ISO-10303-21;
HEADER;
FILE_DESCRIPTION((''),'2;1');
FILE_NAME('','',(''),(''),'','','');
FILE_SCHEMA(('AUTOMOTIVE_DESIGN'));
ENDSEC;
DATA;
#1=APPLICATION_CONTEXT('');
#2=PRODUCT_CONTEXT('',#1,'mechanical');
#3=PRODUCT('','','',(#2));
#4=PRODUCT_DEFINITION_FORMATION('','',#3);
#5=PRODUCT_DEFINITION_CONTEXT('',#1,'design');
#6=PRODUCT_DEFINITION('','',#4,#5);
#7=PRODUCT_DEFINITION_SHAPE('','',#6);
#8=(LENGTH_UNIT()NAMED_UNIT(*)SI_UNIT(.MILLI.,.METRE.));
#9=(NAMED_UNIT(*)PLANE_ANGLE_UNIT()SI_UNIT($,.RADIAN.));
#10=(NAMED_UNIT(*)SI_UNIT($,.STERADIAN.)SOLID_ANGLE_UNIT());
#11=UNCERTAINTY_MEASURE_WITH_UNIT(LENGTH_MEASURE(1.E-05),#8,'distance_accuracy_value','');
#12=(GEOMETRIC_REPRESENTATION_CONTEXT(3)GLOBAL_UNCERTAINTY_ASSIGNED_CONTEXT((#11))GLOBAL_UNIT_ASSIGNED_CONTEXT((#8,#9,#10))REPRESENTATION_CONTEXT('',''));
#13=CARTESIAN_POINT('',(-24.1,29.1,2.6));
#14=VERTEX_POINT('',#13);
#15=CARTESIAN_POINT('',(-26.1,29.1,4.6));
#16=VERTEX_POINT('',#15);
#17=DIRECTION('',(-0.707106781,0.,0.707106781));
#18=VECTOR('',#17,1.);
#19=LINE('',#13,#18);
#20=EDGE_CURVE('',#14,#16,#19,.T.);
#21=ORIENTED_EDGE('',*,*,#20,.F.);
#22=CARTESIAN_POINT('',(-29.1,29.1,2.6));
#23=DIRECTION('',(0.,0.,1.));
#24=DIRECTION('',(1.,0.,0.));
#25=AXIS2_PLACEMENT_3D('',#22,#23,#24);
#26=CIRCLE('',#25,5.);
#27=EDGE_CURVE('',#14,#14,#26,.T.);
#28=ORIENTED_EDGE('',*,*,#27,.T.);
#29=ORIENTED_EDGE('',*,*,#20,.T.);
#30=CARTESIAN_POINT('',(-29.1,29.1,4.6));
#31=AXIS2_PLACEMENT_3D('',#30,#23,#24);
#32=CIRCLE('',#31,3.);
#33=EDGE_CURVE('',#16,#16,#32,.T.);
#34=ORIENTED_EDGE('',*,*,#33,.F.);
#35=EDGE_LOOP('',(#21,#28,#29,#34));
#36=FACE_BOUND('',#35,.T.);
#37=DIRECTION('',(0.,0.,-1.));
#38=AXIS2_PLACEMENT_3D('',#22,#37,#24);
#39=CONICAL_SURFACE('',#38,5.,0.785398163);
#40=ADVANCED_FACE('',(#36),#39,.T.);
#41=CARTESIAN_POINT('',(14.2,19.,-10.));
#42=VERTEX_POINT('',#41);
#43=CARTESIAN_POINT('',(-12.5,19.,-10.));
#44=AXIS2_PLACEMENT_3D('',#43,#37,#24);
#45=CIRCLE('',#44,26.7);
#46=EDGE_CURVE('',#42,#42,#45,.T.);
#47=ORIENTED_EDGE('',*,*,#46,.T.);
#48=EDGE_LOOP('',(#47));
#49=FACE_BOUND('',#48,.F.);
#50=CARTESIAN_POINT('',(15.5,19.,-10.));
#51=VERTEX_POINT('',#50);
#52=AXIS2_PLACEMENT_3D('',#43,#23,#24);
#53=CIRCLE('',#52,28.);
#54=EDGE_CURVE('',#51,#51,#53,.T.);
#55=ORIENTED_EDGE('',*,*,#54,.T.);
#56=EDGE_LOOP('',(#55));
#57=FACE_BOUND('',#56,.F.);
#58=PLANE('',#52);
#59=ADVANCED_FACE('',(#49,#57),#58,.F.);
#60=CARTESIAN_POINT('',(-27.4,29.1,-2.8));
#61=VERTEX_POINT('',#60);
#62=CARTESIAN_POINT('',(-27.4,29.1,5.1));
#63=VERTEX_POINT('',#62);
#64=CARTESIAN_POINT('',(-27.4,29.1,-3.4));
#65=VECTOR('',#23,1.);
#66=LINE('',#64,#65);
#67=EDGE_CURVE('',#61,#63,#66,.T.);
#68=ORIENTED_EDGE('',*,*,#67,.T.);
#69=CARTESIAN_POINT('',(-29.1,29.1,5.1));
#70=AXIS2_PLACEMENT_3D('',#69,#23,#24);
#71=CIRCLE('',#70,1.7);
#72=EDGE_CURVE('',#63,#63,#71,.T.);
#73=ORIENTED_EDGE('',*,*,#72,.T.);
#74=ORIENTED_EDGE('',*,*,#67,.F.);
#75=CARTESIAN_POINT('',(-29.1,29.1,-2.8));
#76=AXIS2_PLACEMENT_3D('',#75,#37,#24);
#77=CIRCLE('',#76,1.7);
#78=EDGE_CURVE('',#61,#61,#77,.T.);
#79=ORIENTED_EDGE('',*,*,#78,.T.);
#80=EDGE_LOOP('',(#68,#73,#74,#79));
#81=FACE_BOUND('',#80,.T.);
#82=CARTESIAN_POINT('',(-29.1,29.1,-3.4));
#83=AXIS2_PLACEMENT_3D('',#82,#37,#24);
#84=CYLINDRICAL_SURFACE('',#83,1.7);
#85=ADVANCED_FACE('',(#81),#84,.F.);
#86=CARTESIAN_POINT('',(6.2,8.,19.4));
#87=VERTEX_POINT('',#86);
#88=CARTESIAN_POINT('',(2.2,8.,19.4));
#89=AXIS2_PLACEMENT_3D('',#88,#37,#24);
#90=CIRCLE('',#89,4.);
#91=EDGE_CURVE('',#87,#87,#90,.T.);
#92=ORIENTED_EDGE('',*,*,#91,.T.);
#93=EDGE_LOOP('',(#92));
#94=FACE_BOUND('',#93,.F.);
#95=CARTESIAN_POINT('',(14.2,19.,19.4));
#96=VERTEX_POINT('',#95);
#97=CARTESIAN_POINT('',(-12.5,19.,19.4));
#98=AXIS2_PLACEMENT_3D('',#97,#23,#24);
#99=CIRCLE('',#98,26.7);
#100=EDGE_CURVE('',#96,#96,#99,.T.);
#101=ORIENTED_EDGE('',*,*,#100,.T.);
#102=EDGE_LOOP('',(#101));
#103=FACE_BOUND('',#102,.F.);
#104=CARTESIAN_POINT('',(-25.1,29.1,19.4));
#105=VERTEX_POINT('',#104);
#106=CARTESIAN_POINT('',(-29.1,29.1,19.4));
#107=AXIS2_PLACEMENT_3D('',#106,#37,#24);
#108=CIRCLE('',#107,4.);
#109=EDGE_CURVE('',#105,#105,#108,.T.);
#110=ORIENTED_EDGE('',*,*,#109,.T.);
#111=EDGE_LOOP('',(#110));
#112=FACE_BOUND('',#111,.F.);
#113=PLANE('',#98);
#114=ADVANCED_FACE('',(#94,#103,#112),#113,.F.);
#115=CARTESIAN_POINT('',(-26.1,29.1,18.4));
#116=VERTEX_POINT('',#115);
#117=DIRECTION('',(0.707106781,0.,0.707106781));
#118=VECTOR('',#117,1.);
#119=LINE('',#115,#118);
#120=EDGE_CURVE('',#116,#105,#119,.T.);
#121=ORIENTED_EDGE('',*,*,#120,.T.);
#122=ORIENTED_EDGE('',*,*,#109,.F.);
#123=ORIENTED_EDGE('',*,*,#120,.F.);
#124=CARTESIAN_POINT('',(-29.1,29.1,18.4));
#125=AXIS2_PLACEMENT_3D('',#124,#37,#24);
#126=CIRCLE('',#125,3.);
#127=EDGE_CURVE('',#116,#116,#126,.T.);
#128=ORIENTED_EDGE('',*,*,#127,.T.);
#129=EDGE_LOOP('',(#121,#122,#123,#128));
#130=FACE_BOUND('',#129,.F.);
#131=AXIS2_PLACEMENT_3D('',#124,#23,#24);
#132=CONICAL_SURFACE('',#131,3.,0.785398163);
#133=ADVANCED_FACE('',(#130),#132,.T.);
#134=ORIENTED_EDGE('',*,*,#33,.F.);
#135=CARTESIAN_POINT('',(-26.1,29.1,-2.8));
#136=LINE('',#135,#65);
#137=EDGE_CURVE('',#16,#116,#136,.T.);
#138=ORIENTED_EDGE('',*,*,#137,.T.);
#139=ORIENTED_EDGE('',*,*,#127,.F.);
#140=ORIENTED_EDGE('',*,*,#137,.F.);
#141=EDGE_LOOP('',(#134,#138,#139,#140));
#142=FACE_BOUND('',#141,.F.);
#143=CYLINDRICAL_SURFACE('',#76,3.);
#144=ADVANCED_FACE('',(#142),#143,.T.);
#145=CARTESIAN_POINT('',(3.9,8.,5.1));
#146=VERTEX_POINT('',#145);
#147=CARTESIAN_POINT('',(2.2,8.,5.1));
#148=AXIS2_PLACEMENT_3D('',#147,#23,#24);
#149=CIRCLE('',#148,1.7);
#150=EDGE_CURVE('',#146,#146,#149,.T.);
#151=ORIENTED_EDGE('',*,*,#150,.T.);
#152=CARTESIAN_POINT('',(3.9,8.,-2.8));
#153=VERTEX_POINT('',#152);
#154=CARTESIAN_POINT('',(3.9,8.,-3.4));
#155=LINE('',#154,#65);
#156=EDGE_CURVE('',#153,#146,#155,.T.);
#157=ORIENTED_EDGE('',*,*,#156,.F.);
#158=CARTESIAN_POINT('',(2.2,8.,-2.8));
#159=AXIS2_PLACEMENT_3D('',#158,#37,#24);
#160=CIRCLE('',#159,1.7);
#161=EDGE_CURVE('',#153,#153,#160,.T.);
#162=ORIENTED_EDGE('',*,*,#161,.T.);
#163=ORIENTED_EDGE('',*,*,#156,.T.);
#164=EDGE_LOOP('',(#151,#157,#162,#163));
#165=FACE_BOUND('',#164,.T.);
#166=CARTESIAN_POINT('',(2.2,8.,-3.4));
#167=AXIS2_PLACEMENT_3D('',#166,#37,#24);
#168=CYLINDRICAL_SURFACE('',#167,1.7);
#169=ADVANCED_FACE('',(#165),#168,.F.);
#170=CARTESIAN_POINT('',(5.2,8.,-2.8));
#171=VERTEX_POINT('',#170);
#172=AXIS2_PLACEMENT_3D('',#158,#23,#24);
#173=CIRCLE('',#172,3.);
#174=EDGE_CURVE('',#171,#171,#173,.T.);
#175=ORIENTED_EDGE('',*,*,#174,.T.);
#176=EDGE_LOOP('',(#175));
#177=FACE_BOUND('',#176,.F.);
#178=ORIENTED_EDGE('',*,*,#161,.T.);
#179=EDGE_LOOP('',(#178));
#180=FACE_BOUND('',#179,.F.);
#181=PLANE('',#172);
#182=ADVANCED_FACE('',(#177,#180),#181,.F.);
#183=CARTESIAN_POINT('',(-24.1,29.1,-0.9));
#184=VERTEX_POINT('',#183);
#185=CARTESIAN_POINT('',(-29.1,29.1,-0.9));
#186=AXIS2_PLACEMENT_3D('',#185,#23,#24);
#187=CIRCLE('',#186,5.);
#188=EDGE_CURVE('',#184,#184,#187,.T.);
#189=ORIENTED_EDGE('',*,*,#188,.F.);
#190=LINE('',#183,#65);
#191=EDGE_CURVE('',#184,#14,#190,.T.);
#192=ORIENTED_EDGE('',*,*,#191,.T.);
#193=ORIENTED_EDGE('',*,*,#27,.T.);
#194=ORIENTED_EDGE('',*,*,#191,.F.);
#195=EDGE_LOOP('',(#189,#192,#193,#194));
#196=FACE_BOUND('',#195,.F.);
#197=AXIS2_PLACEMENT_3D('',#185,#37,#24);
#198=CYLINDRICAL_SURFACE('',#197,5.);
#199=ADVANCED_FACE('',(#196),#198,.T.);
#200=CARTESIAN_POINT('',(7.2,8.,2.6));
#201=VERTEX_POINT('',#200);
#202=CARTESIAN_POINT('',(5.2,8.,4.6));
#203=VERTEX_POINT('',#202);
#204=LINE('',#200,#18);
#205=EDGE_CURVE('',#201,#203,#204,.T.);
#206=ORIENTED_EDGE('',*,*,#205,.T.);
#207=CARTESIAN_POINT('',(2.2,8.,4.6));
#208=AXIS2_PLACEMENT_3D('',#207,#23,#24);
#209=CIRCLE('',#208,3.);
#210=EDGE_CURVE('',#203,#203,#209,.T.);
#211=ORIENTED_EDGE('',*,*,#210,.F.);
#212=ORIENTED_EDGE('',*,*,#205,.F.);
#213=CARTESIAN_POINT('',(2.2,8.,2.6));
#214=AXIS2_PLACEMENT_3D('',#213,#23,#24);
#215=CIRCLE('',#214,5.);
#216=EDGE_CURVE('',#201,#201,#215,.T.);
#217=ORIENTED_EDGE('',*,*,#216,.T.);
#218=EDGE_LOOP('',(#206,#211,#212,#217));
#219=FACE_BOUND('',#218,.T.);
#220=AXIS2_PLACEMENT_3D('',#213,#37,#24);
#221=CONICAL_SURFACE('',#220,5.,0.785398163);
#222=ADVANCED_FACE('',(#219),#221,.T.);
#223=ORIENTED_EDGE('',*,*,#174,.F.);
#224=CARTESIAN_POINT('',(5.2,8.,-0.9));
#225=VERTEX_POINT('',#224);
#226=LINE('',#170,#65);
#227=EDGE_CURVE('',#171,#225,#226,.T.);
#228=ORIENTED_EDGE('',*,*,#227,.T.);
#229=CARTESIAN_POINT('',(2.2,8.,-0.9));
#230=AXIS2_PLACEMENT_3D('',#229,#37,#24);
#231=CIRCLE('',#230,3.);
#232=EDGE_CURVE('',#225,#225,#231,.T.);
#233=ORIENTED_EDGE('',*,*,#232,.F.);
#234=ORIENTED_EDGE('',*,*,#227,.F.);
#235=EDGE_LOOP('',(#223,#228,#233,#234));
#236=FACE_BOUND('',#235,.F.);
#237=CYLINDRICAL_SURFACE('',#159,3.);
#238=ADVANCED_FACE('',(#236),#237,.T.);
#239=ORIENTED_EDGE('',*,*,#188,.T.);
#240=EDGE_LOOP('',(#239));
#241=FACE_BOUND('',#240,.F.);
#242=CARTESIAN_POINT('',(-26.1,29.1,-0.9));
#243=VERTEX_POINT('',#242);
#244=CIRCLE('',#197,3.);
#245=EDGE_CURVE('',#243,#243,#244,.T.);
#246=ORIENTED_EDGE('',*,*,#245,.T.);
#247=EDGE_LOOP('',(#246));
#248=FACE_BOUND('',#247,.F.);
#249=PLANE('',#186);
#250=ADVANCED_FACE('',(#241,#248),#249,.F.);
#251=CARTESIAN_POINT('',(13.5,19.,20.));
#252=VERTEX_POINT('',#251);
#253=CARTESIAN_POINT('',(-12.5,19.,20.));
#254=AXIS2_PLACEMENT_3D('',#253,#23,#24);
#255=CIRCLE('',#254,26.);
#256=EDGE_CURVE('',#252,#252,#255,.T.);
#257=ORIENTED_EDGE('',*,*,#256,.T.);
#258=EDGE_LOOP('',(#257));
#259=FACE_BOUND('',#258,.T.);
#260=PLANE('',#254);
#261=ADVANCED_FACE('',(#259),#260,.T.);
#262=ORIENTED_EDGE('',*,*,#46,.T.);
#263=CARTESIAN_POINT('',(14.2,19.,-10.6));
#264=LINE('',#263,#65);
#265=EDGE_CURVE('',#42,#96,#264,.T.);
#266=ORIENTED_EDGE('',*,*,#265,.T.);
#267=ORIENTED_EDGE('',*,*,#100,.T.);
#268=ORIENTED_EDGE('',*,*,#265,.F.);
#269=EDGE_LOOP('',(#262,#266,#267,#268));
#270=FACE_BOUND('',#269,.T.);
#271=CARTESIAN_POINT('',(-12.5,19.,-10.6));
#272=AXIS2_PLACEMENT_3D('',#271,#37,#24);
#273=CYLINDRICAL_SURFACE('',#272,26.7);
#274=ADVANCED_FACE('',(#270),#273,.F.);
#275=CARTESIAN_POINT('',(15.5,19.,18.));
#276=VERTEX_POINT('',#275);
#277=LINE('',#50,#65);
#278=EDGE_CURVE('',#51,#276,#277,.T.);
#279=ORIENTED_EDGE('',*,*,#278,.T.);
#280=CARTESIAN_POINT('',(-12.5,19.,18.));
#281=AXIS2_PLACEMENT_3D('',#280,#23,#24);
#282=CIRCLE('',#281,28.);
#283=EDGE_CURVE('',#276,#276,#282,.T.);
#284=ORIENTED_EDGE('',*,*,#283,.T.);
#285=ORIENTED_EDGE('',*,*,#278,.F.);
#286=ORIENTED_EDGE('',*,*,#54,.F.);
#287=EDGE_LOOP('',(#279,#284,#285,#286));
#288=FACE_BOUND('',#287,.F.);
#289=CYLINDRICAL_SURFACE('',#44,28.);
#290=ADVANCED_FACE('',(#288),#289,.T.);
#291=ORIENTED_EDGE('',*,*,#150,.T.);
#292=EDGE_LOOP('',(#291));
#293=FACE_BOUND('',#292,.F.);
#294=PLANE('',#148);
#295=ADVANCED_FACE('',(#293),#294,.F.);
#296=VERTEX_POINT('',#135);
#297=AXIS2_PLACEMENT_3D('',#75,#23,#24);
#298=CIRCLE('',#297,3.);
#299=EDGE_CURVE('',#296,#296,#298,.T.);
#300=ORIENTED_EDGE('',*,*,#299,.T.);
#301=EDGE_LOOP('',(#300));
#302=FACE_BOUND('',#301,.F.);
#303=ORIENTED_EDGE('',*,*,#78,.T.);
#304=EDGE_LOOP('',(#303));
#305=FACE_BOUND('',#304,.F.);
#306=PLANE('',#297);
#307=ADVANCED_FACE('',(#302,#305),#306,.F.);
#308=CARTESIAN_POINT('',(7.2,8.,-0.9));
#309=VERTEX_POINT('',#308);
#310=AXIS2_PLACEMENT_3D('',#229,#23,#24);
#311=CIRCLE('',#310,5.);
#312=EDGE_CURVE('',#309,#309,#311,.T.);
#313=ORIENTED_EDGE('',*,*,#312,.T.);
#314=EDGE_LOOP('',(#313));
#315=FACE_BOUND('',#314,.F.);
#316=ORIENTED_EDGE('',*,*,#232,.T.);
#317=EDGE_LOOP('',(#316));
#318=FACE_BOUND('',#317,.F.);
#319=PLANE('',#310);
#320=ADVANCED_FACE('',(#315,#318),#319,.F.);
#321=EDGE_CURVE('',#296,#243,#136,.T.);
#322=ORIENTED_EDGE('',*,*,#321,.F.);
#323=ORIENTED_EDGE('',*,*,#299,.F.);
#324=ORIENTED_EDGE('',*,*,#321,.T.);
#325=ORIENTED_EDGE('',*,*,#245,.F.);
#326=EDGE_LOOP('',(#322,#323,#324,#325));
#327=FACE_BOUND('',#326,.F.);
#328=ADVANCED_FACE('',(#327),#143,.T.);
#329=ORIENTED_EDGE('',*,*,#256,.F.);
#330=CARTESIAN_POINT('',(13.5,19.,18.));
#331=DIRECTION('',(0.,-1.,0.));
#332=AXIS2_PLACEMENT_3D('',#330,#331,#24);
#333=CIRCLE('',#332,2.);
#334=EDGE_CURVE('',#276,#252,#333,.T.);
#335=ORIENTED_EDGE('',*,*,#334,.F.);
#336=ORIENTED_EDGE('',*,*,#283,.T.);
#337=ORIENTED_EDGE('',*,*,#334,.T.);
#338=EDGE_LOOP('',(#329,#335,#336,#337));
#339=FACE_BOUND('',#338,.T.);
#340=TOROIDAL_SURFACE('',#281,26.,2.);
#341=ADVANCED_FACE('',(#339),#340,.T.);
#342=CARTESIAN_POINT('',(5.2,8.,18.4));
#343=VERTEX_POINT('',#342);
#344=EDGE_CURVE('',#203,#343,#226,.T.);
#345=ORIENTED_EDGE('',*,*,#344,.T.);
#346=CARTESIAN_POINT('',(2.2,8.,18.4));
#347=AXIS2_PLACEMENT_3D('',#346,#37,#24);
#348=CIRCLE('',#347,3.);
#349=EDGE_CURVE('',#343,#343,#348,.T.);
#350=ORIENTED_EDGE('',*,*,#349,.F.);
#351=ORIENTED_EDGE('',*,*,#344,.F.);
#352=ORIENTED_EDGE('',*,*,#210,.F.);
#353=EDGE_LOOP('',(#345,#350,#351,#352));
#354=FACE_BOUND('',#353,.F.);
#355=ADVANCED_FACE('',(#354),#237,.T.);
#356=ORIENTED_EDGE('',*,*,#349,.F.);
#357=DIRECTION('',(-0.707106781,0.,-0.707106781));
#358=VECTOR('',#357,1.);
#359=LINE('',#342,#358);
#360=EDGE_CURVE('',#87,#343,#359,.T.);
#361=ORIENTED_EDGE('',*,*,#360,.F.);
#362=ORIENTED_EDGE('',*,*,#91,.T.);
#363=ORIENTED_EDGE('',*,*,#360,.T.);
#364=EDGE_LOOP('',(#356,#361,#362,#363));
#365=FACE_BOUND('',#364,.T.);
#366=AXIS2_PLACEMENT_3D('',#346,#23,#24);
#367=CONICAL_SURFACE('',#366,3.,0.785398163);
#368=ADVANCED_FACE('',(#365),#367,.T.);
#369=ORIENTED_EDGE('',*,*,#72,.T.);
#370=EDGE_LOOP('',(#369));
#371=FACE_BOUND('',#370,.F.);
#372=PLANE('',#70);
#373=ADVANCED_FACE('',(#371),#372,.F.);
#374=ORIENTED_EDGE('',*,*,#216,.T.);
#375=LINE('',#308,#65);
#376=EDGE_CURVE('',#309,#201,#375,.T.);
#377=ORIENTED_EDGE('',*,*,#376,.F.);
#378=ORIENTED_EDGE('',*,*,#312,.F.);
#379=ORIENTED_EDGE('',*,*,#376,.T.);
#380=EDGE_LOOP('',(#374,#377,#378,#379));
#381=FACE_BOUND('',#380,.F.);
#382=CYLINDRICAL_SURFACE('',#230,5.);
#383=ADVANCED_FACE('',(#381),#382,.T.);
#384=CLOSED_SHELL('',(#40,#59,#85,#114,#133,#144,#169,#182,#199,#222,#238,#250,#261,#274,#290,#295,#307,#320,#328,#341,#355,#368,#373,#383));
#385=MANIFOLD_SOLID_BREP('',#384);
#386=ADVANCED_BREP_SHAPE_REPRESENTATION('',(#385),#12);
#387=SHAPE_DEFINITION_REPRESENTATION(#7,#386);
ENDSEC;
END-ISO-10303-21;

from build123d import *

# Parameters (mm, degrees)
CYLINDER033_R     = 1.7
CYLINDER033_DEPTH = 8.5
CYLINDER036_R     = 5
CYLINDER036_DEPTH = 5.5
CHAMFER008_SIZE   = 2
CYLINDER031_R     = 3
CYLINDER031_DEPTH = 22.5
CYLINDER034_R     = 1.7
CYLINDER034_DEPTH = 8.5
CYLINDER035_R     = 5
CYLINDER035_DEPTH = 5.5
CHAMFER009_SIZE   = 2
CYLINDER032_R     = 3
CYLINDER032_DEPTH = 22.5
CYLINDER029_R     = 26.7
CYLINDER029_DEPTH = 30
CYLINDER030_R     = 28
CYLINDER030_DEPTH = 30
FILLET002_R       = 2
CHAMFER010_SIZE   = 1


with BuildPart() as vaciado_tope014:
    # Cylinder033 → Cylinder033 (new body)
    with BuildSketch(Plane(origin=(2.2, 8, -3.4), x_dir=(1, 0, 0), z_dir=(0, 0, 1))):
        Circle(CYLINDER033_R)
    extrude(amount=CYLINDER033_DEPTH)


with BuildPart() as chamfer008:
    # Cylinder036 → Cylinder036 (new body)
    with BuildSketch(Plane(origin=(2.2, 8, -0.9), x_dir=(1, 0, 0), z_dir=(0, 0, 1))):
        Circle(CYLINDER036_R)
    extrude(amount=CYLINDER036_DEPTH)

    # Chamfer008
    chamfer008_edges = [chamfer008.edges().sort_by_distance(p)[0] for p in [
        (-2.8, 8, 4.6),
    ]]
    chamfer(chamfer008_edges, length=CHAMFER008_SIZE)


with BuildPart() as columna1:
    # Cylinder031 → Cylinder031 (new body)
    with BuildSketch(Plane(origin=(2.2, 8, -2.8), x_dir=(1, 0, 0), z_dir=(0, 0, 1))):
        Circle(CYLINDER031_R)
    extrude(amount=CYLINDER031_DEPTH)

    # Fusion003: union Chamfer008
    add(chamfer008.part)

    # Cut017: cut vaciado tope014
    add(vaciado_tope014.part, mode=Mode.SUBTRACT)


with BuildPart() as vaciado_tope015:
    # Cylinder034 → Cylinder034 (new body)
    with BuildSketch(Plane(origin=(-29.1, 29.1, -3.4), x_dir=(1, 0, 0), z_dir=(0, 0, 1))):
        Circle(CYLINDER034_R)
    extrude(amount=CYLINDER034_DEPTH)


with BuildPart() as chamfer009:
    # Cylinder035 → Cylinder035 (new body)
    with BuildSketch(Plane(origin=(-29.1, 29.1, -0.9), x_dir=(1, 0, 0), z_dir=(0, 0, 1))):
        Circle(CYLINDER035_R)
    extrude(amount=CYLINDER035_DEPTH)

    # Chamfer009
    chamfer009_edges = [chamfer009.edges().sort_by_distance(p)[0] for p in [
        (-34.1, 29.1, 4.6),
    ]]
    chamfer(chamfer009_edges, length=CHAMFER009_SIZE)


with BuildPart() as columna2:
    # Cylinder032 → Cylinder032 (new body)
    with BuildSketch(Plane(origin=(-29.1, 29.1, -2.8), x_dir=(1, 0, 0), z_dir=(0, 0, 1))):
        Circle(CYLINDER032_R)
    extrude(amount=CYLINDER032_DEPTH)

    # Fusion004: union Chamfer009
    add(chamfer009.part)

    # Cut018: cut vaciado tope015
    add(vaciado_tope015.part, mode=Mode.SUBTRACT)


with BuildPart() as base_exterior_vaciado002:
    # Cylinder029 → Cylinder029 (new body)
    with BuildSketch(Plane(origin=(-12.5, 19, -10.6), x_dir=(1, 0, 0), z_dir=(0, 0, 1))):
        Circle(CYLINDER029_R)
    extrude(amount=CYLINDER029_DEPTH)


with BuildPart() as base_version_ok_pilares001:
    # Cylinder030 → Cylinder030 (new body)
    with BuildSketch(Plane(origin=(-12.5, 19, -10), x_dir=(1, 0, 0), z_dir=(0, 0, 1))):
        Circle(CYLINDER030_R)
    extrude(amount=CYLINDER030_DEPTH)

    # Cut016: cut base exterior vaciado002
    add(base_exterior_vaciado002.part, mode=Mode.SUBTRACT)

    # Fillet002
    fillet002_edges = [base_version_ok_pilares001.edges().sort_by_distance(p)[0] for p in [
        (-40.5, 19, 20),
    ]]
    fillet(fillet002_edges, radius=FILLET002_R)

    # Fusion005: union columna1, columna2
    add(columna1.part)
    add(columna2.part)

    # Chamfer010
    chamfer010_edges = [base_version_ok_pilares001.edges().sort_by_distance(p)[0] for p in [
        (-0.8, 8, 19.4),
        (-32.1, 29.1, 19.4),
    ]]
    chamfer(chamfer010_edges, length=CHAMFER010_SIZE)


solid = base_version_ok_pilares001.part
